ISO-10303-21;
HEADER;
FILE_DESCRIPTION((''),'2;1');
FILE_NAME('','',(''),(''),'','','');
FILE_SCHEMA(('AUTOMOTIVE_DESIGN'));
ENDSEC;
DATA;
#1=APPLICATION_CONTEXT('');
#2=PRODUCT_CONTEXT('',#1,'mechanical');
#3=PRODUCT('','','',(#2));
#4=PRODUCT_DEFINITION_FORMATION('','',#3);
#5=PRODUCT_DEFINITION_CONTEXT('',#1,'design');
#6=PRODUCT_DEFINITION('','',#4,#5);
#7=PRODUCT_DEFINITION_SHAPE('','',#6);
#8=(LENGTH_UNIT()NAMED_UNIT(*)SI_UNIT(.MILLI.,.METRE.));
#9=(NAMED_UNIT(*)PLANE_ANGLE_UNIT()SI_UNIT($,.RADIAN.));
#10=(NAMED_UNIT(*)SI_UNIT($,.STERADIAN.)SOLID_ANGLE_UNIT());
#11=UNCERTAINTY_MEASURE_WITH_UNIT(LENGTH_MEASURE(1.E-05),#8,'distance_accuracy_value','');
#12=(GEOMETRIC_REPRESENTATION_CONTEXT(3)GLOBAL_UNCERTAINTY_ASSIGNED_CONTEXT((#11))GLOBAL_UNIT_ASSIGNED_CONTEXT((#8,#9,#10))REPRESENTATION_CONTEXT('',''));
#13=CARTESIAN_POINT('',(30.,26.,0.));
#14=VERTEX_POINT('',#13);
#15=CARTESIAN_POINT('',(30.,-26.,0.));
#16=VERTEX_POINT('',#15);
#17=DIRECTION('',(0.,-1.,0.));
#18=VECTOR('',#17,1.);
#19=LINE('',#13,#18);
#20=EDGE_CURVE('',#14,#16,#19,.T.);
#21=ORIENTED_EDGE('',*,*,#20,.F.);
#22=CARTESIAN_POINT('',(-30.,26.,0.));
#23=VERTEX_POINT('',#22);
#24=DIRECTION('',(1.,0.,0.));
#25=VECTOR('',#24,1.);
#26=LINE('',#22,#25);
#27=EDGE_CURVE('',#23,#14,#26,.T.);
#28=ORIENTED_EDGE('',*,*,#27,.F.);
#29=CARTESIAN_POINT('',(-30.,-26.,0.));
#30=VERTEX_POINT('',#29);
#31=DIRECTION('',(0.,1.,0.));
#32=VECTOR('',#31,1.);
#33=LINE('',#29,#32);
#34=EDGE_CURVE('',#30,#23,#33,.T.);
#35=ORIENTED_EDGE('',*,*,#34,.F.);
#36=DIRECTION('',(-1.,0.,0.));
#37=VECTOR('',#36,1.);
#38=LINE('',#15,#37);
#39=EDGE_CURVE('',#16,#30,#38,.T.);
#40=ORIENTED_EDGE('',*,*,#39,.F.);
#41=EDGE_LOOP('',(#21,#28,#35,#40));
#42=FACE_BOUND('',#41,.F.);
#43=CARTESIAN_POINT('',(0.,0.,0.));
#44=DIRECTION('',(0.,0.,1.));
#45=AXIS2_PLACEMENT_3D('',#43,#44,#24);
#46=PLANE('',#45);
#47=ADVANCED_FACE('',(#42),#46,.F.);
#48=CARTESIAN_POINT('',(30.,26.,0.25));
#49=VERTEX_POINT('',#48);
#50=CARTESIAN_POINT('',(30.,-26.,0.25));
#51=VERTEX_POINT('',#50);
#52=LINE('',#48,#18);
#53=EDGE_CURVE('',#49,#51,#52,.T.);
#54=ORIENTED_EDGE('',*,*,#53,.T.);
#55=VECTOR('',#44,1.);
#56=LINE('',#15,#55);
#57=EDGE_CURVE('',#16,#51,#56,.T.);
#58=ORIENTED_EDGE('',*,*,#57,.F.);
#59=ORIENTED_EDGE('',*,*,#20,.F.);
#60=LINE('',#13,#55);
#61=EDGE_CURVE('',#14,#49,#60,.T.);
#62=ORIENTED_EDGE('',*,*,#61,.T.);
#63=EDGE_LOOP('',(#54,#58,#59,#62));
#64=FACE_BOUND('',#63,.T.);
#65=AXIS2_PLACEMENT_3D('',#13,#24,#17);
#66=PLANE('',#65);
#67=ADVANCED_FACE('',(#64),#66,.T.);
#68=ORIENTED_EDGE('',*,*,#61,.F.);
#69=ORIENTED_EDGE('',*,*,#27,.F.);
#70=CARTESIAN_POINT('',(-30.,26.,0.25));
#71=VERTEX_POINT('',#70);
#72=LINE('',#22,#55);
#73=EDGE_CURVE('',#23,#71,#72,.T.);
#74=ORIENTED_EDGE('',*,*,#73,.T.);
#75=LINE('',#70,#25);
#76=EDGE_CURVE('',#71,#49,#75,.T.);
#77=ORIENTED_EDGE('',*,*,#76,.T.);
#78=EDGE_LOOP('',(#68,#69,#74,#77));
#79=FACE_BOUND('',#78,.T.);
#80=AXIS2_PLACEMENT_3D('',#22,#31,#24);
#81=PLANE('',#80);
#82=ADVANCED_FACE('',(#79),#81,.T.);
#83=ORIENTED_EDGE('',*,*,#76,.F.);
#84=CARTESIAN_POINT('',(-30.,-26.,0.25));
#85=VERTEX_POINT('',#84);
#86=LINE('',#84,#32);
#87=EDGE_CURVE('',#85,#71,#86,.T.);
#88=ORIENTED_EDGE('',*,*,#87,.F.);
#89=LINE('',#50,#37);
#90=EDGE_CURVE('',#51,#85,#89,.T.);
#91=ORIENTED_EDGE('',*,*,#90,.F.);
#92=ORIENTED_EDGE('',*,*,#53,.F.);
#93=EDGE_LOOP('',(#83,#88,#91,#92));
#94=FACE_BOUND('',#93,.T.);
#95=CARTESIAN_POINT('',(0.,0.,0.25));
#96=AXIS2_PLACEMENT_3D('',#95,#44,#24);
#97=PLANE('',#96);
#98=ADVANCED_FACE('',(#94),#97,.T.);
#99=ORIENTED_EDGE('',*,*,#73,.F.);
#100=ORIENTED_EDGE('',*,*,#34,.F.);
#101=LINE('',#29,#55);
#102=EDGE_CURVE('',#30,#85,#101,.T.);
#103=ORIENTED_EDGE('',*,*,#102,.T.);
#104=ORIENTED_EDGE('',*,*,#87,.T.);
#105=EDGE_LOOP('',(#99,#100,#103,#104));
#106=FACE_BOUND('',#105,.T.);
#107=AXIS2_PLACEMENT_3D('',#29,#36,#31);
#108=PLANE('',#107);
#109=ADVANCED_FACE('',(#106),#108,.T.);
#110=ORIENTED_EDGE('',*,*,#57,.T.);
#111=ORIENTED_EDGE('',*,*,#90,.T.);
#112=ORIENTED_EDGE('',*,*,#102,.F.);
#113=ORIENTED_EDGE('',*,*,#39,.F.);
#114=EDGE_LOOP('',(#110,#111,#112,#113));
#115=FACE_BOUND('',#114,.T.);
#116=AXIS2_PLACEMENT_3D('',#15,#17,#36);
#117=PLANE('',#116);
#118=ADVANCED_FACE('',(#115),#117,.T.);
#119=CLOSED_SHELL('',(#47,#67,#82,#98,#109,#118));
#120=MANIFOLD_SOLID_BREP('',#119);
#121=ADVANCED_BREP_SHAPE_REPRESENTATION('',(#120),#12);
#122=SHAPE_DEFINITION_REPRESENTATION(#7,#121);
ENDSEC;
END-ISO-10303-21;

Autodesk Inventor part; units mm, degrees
ref_plane "YZ Plane" through (0, 0, 0) normal (1, 0, 0) x (0, 1, 0)
ref_plane "XZ Plane" through (0, 0, 0) normal (0, 1, 0) x (-1, 0, 0)
ref_plane "XY Plane" through (0, 0, 0) normal (0, 0, 1) x (1, 0, 0)
sketch "Sketch1" plane through (0, 0, 0) normal (0, 0, 1) x (1, 0, 0)
  line L0 (-30, 26) -> (30, 26)
  line L1 (30, 26) -> (30, -26)
  line L2 (30, -26) -> (-30, -26)
  line L3 (-30, -26) -> (-30, 26)
  point P0 (0, 0)
  point P1 (0, 26)
  point P2 (30, 0)
  dimension "d0" = 60
  dimension "d1" = 52
extrude "Extrusion1" add sketch "Sketch1" along normal blind 0.25
properties part number "Flat60"
